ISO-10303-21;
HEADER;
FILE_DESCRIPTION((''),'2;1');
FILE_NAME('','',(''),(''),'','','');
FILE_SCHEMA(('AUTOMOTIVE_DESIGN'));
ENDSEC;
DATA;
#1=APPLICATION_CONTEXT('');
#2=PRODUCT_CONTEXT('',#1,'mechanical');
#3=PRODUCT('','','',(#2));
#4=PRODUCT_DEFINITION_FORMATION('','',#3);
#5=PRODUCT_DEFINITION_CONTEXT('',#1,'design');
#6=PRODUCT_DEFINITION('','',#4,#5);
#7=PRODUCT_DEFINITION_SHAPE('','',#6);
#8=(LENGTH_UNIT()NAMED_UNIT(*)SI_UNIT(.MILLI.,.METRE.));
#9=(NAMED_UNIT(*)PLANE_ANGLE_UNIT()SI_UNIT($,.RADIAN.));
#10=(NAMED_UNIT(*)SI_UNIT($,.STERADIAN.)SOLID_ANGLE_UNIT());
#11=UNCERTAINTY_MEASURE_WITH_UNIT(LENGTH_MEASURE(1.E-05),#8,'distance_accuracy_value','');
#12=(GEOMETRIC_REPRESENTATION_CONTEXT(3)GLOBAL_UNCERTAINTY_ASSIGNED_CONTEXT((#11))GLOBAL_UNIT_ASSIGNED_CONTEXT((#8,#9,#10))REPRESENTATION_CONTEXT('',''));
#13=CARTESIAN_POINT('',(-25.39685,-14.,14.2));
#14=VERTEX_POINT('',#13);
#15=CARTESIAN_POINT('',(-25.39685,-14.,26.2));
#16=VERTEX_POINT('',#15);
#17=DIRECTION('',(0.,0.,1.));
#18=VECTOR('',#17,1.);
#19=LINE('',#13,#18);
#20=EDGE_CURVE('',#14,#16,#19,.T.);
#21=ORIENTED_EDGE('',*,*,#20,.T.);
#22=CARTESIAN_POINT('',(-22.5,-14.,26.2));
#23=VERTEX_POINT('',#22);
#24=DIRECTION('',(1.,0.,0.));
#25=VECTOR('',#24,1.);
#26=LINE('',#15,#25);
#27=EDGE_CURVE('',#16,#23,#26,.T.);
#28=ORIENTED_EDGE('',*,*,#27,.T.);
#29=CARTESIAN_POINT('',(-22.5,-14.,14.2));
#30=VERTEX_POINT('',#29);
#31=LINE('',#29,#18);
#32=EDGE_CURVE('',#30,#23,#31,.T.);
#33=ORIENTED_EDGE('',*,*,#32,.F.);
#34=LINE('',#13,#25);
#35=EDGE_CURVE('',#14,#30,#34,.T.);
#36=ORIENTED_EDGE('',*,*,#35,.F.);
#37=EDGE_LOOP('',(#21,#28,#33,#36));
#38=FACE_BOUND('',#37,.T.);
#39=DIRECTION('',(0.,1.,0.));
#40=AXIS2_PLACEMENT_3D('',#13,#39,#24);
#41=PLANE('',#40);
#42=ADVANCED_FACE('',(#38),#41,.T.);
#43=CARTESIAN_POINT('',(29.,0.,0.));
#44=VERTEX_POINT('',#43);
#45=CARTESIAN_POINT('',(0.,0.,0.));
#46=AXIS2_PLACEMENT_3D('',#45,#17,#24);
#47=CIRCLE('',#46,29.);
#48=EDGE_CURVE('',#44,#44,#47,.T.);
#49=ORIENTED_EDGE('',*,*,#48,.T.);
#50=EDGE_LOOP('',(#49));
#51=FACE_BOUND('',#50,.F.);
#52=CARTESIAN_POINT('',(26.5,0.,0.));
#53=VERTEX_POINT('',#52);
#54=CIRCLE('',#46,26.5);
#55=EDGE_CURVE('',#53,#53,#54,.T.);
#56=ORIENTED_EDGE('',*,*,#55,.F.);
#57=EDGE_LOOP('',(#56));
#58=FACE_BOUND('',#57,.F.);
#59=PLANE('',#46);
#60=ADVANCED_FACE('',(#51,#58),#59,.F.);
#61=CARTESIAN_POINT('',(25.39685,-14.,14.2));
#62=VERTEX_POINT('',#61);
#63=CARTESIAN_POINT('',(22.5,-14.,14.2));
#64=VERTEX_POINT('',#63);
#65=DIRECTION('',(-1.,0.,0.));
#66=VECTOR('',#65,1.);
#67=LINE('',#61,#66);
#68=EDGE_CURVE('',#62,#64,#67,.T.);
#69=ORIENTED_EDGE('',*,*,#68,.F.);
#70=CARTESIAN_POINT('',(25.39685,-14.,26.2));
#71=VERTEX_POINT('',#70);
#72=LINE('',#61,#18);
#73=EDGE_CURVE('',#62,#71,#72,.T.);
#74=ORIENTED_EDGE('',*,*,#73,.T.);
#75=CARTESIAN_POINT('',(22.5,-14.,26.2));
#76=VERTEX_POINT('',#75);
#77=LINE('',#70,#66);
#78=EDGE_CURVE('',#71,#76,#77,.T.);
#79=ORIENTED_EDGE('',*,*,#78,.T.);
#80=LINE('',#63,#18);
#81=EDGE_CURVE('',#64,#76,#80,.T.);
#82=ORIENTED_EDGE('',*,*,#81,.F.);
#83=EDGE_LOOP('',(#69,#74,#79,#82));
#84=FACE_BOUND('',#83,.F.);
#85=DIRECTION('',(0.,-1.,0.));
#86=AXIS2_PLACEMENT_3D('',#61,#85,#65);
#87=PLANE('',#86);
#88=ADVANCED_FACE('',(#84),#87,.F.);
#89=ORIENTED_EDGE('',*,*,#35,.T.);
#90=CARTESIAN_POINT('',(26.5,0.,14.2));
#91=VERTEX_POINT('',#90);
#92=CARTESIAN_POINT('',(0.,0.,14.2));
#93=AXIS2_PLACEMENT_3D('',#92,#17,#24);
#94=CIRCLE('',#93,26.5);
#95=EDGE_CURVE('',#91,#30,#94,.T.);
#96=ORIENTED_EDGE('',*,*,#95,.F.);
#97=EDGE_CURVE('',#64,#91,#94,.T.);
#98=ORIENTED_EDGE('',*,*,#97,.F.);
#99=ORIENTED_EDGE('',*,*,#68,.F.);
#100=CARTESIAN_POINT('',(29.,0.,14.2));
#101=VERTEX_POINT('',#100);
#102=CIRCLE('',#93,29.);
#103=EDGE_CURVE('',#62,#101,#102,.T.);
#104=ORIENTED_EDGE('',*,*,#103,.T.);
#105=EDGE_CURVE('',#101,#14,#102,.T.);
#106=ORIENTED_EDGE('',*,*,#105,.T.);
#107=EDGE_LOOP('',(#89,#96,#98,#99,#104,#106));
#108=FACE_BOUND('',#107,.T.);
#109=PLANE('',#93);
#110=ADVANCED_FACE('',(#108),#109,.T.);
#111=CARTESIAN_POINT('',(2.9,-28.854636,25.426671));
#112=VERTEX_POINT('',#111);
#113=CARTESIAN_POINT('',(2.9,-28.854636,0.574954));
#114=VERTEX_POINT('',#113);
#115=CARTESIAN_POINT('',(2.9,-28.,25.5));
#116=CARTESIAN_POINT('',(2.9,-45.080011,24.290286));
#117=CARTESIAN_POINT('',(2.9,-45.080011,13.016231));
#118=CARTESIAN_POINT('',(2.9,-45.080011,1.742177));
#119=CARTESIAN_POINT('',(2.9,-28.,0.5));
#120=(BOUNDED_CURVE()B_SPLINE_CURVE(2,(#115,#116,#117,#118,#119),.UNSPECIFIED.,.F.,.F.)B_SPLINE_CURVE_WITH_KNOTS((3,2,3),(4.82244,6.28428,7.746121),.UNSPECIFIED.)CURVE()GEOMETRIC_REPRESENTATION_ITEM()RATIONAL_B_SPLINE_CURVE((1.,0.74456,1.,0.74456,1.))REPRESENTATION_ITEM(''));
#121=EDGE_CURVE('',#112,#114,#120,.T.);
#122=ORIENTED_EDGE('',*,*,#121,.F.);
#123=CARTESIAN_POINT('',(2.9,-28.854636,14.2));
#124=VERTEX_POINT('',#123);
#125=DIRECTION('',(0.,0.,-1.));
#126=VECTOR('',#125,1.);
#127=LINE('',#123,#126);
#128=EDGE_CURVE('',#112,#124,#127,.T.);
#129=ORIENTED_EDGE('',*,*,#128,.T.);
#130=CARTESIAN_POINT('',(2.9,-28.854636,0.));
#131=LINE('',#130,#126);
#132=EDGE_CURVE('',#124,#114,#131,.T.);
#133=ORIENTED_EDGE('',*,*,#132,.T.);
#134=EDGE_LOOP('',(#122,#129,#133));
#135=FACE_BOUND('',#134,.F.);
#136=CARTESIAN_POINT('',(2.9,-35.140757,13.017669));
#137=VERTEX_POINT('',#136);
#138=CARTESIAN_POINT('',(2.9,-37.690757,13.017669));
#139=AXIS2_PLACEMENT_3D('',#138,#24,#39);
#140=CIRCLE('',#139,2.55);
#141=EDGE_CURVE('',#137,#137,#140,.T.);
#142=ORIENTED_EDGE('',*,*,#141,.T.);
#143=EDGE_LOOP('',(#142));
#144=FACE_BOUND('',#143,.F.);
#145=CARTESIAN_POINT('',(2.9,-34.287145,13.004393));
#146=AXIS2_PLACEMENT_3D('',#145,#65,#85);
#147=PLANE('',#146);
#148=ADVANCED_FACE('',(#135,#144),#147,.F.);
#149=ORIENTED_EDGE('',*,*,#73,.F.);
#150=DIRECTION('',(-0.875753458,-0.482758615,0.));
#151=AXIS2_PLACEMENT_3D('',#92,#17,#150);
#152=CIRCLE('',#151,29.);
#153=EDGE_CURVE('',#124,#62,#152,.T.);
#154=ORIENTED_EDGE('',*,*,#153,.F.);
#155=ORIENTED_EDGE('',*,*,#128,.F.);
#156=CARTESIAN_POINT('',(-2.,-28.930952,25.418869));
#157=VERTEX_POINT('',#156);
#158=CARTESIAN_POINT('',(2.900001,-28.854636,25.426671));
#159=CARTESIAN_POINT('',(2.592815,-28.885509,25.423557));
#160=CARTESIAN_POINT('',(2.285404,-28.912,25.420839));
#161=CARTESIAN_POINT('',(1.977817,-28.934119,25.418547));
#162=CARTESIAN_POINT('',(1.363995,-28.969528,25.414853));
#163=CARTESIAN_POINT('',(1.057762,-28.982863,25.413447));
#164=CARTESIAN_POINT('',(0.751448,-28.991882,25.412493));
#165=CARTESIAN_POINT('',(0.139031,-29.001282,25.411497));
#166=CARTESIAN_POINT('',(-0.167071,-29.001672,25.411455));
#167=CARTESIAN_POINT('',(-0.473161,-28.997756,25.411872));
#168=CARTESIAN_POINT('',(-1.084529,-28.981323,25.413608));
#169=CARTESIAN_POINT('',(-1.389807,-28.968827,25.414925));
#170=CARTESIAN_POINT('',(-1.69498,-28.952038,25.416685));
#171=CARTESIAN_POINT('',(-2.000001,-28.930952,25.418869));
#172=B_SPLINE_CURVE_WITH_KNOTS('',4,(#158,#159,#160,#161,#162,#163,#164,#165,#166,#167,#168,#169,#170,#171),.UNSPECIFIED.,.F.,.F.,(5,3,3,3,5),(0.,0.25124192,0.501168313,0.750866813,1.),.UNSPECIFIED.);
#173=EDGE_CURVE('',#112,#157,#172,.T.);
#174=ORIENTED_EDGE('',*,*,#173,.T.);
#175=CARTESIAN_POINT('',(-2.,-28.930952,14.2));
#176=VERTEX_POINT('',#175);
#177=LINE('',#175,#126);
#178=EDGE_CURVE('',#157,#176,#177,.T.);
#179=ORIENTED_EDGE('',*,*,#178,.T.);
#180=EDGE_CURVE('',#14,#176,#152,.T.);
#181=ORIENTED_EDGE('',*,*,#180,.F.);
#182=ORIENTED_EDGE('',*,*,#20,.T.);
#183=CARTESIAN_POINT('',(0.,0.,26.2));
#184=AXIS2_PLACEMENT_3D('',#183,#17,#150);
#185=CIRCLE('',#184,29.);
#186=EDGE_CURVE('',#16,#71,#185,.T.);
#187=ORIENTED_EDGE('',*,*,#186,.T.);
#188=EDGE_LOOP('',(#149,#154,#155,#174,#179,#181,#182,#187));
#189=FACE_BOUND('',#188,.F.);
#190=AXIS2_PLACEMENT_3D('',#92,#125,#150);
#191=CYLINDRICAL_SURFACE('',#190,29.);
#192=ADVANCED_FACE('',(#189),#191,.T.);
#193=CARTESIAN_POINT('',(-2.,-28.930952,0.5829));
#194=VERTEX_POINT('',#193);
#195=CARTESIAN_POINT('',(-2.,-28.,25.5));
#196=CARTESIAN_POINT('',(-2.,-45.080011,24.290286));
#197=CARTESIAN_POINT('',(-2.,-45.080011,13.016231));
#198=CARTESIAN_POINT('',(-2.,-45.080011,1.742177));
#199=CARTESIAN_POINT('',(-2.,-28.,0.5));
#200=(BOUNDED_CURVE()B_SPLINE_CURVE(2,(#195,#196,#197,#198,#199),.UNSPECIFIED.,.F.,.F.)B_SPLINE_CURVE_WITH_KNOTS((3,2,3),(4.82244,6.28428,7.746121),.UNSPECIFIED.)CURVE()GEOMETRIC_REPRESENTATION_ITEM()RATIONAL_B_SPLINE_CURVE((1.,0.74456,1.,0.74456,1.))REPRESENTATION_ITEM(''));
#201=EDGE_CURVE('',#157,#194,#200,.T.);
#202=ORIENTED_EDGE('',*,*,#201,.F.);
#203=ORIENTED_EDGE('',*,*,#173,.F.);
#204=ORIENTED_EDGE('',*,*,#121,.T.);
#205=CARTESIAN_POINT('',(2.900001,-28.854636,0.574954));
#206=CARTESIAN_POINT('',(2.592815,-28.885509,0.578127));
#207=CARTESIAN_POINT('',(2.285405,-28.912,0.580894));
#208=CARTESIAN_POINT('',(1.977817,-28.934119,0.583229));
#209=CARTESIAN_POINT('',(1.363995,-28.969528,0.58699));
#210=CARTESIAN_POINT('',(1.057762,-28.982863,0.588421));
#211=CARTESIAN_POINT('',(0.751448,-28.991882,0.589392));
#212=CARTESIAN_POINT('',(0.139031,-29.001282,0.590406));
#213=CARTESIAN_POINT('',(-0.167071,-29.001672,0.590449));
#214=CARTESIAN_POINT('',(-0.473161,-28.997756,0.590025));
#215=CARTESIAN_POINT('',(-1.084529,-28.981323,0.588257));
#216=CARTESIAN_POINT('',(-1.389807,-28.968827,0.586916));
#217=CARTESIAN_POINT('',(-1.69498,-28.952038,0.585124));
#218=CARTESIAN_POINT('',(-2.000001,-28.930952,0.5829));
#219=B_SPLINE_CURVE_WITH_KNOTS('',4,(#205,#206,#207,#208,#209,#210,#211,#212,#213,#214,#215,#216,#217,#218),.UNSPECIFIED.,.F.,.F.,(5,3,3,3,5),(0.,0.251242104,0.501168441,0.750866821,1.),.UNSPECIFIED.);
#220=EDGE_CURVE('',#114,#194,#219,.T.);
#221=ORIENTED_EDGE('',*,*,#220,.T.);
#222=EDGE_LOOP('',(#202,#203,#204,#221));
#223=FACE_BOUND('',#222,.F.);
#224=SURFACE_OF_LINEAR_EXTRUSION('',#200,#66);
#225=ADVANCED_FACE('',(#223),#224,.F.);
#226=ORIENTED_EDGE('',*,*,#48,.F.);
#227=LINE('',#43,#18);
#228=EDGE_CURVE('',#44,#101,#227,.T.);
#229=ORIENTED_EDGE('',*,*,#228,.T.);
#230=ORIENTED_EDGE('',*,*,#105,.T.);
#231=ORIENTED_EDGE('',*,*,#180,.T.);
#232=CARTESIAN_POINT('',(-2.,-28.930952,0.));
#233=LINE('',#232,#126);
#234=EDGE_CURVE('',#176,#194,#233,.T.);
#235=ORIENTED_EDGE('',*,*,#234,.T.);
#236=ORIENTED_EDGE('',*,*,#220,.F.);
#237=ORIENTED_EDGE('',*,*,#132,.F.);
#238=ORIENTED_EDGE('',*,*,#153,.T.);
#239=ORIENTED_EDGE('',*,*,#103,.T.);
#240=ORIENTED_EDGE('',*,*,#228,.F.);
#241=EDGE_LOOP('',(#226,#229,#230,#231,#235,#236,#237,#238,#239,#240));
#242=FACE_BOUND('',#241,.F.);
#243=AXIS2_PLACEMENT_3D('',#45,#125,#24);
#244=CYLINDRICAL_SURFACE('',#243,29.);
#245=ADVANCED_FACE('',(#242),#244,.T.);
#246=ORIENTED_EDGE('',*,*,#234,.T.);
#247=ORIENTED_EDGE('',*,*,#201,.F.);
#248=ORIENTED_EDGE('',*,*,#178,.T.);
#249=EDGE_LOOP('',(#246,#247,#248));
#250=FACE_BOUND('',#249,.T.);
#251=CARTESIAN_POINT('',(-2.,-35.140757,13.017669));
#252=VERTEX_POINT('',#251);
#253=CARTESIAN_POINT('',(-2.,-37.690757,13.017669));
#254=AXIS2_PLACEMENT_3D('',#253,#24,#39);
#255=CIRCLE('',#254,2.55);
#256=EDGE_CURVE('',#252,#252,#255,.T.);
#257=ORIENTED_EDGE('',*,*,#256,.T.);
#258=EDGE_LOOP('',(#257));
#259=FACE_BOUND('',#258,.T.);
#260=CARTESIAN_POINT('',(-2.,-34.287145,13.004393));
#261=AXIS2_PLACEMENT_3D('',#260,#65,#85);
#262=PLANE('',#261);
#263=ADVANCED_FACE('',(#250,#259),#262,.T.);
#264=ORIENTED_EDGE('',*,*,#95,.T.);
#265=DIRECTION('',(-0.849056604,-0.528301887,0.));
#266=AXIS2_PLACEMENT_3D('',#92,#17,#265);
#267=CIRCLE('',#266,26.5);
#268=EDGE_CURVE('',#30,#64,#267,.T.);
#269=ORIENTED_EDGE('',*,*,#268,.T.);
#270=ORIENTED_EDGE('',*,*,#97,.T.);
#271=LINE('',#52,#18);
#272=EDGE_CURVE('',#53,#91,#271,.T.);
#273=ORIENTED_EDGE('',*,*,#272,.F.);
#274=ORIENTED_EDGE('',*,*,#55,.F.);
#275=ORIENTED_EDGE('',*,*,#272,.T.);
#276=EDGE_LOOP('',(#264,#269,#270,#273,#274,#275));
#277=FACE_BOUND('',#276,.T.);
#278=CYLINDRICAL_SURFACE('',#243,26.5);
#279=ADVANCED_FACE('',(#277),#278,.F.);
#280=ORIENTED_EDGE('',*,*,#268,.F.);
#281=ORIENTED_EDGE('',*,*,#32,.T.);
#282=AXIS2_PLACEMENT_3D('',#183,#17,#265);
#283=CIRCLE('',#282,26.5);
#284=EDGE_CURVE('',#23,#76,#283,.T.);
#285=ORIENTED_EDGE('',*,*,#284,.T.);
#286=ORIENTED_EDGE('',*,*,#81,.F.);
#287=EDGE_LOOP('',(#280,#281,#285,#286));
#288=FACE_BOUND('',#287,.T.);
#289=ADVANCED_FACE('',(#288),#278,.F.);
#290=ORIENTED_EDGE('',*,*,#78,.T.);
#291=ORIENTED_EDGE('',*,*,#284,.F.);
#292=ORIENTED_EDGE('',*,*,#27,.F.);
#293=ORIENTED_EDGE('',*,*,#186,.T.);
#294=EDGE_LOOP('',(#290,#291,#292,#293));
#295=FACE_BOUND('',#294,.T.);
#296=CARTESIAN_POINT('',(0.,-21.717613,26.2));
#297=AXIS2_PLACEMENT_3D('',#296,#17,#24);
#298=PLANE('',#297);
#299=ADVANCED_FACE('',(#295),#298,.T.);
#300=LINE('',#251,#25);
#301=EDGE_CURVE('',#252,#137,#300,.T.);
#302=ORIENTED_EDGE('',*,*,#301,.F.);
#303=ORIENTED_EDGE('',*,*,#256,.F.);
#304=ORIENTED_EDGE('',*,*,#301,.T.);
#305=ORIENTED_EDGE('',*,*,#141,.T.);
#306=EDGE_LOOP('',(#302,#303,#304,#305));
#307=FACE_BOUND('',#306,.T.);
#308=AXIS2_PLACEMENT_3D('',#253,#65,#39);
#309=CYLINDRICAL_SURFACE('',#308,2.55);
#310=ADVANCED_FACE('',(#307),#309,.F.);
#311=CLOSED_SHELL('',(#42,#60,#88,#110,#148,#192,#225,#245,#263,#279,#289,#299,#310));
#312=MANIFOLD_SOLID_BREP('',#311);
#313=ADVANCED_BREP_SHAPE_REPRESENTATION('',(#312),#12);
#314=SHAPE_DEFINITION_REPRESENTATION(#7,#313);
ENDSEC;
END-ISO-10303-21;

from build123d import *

# Parameters (mm, degrees)
SKETCH003_R  = 2.55
PAD001_DEPTH = 4.9
SKETCH_R     = 29
SKETCH_R_2   = 26.5
PAD_DEPTH    = 14.2
PAD002_DEPTH = 12


with BuildPart() as uchwyt:
    # Sketch003 → Pad001 (new body)
    with BuildSketch(Plane.YZ):
        with BuildLine():
            Line((-44, 29.5), (-44, 4.5))
            add(Edge.make_bspline(
                [(-44, 29.5), (-61.080011, 28.290286), (-61.080011, 17.016231), (-61.080011, 5.742177), (-44, 4.5)],
                knots=[4.82244, 4.82244, 4.82244, 6.28428, 6.28428, 7.746121, 7.746121, 7.746121], degree=2, weights=[1, 0.74456, 1, 0.74456, 1]))
        make_face()
        with Locations((-53.690757, 17.017669)):
            Circle(SKETCH003_R, mode=Mode.SUBTRACT)
    extrude(amount=PAD001_DEPTH)


with BuildPart() as uchwyt_1:
    # Body001 placement: moved
    add(uchwyt.part.moved(Location((-2, 16, -4))))


with BuildPart() as kubek:
    # Sketch → Pad (new body)
    with BuildSketch(Plane.XY):
        Circle(SKETCH_R)
        Circle(SKETCH_R_2, mode=Mode.SUBTRACT)
    extrude(amount=PAD_DEPTH)

    # Sketch001 (on Face4 of Pad) → Pad002 (join)
    with BuildSketch(Plane.XY.offset(14.2)):
        with BuildLine():
            ThreePointArc((-25.39685, -14), (0, -29), (25.39685, -14))
            Line((25.39685, -14), (22.5, -14))
            ThreePointArc((-22.5, -14), (0, -26.5), (22.5, -14))
            Line((-25.39685, -14), (-22.5, -14))
        make_face()
    extrude(amount=PAD002_DEPTH)

    # Boolean: union Uchwyt
    add(uchwyt_1.part)


solid = kubek.part
